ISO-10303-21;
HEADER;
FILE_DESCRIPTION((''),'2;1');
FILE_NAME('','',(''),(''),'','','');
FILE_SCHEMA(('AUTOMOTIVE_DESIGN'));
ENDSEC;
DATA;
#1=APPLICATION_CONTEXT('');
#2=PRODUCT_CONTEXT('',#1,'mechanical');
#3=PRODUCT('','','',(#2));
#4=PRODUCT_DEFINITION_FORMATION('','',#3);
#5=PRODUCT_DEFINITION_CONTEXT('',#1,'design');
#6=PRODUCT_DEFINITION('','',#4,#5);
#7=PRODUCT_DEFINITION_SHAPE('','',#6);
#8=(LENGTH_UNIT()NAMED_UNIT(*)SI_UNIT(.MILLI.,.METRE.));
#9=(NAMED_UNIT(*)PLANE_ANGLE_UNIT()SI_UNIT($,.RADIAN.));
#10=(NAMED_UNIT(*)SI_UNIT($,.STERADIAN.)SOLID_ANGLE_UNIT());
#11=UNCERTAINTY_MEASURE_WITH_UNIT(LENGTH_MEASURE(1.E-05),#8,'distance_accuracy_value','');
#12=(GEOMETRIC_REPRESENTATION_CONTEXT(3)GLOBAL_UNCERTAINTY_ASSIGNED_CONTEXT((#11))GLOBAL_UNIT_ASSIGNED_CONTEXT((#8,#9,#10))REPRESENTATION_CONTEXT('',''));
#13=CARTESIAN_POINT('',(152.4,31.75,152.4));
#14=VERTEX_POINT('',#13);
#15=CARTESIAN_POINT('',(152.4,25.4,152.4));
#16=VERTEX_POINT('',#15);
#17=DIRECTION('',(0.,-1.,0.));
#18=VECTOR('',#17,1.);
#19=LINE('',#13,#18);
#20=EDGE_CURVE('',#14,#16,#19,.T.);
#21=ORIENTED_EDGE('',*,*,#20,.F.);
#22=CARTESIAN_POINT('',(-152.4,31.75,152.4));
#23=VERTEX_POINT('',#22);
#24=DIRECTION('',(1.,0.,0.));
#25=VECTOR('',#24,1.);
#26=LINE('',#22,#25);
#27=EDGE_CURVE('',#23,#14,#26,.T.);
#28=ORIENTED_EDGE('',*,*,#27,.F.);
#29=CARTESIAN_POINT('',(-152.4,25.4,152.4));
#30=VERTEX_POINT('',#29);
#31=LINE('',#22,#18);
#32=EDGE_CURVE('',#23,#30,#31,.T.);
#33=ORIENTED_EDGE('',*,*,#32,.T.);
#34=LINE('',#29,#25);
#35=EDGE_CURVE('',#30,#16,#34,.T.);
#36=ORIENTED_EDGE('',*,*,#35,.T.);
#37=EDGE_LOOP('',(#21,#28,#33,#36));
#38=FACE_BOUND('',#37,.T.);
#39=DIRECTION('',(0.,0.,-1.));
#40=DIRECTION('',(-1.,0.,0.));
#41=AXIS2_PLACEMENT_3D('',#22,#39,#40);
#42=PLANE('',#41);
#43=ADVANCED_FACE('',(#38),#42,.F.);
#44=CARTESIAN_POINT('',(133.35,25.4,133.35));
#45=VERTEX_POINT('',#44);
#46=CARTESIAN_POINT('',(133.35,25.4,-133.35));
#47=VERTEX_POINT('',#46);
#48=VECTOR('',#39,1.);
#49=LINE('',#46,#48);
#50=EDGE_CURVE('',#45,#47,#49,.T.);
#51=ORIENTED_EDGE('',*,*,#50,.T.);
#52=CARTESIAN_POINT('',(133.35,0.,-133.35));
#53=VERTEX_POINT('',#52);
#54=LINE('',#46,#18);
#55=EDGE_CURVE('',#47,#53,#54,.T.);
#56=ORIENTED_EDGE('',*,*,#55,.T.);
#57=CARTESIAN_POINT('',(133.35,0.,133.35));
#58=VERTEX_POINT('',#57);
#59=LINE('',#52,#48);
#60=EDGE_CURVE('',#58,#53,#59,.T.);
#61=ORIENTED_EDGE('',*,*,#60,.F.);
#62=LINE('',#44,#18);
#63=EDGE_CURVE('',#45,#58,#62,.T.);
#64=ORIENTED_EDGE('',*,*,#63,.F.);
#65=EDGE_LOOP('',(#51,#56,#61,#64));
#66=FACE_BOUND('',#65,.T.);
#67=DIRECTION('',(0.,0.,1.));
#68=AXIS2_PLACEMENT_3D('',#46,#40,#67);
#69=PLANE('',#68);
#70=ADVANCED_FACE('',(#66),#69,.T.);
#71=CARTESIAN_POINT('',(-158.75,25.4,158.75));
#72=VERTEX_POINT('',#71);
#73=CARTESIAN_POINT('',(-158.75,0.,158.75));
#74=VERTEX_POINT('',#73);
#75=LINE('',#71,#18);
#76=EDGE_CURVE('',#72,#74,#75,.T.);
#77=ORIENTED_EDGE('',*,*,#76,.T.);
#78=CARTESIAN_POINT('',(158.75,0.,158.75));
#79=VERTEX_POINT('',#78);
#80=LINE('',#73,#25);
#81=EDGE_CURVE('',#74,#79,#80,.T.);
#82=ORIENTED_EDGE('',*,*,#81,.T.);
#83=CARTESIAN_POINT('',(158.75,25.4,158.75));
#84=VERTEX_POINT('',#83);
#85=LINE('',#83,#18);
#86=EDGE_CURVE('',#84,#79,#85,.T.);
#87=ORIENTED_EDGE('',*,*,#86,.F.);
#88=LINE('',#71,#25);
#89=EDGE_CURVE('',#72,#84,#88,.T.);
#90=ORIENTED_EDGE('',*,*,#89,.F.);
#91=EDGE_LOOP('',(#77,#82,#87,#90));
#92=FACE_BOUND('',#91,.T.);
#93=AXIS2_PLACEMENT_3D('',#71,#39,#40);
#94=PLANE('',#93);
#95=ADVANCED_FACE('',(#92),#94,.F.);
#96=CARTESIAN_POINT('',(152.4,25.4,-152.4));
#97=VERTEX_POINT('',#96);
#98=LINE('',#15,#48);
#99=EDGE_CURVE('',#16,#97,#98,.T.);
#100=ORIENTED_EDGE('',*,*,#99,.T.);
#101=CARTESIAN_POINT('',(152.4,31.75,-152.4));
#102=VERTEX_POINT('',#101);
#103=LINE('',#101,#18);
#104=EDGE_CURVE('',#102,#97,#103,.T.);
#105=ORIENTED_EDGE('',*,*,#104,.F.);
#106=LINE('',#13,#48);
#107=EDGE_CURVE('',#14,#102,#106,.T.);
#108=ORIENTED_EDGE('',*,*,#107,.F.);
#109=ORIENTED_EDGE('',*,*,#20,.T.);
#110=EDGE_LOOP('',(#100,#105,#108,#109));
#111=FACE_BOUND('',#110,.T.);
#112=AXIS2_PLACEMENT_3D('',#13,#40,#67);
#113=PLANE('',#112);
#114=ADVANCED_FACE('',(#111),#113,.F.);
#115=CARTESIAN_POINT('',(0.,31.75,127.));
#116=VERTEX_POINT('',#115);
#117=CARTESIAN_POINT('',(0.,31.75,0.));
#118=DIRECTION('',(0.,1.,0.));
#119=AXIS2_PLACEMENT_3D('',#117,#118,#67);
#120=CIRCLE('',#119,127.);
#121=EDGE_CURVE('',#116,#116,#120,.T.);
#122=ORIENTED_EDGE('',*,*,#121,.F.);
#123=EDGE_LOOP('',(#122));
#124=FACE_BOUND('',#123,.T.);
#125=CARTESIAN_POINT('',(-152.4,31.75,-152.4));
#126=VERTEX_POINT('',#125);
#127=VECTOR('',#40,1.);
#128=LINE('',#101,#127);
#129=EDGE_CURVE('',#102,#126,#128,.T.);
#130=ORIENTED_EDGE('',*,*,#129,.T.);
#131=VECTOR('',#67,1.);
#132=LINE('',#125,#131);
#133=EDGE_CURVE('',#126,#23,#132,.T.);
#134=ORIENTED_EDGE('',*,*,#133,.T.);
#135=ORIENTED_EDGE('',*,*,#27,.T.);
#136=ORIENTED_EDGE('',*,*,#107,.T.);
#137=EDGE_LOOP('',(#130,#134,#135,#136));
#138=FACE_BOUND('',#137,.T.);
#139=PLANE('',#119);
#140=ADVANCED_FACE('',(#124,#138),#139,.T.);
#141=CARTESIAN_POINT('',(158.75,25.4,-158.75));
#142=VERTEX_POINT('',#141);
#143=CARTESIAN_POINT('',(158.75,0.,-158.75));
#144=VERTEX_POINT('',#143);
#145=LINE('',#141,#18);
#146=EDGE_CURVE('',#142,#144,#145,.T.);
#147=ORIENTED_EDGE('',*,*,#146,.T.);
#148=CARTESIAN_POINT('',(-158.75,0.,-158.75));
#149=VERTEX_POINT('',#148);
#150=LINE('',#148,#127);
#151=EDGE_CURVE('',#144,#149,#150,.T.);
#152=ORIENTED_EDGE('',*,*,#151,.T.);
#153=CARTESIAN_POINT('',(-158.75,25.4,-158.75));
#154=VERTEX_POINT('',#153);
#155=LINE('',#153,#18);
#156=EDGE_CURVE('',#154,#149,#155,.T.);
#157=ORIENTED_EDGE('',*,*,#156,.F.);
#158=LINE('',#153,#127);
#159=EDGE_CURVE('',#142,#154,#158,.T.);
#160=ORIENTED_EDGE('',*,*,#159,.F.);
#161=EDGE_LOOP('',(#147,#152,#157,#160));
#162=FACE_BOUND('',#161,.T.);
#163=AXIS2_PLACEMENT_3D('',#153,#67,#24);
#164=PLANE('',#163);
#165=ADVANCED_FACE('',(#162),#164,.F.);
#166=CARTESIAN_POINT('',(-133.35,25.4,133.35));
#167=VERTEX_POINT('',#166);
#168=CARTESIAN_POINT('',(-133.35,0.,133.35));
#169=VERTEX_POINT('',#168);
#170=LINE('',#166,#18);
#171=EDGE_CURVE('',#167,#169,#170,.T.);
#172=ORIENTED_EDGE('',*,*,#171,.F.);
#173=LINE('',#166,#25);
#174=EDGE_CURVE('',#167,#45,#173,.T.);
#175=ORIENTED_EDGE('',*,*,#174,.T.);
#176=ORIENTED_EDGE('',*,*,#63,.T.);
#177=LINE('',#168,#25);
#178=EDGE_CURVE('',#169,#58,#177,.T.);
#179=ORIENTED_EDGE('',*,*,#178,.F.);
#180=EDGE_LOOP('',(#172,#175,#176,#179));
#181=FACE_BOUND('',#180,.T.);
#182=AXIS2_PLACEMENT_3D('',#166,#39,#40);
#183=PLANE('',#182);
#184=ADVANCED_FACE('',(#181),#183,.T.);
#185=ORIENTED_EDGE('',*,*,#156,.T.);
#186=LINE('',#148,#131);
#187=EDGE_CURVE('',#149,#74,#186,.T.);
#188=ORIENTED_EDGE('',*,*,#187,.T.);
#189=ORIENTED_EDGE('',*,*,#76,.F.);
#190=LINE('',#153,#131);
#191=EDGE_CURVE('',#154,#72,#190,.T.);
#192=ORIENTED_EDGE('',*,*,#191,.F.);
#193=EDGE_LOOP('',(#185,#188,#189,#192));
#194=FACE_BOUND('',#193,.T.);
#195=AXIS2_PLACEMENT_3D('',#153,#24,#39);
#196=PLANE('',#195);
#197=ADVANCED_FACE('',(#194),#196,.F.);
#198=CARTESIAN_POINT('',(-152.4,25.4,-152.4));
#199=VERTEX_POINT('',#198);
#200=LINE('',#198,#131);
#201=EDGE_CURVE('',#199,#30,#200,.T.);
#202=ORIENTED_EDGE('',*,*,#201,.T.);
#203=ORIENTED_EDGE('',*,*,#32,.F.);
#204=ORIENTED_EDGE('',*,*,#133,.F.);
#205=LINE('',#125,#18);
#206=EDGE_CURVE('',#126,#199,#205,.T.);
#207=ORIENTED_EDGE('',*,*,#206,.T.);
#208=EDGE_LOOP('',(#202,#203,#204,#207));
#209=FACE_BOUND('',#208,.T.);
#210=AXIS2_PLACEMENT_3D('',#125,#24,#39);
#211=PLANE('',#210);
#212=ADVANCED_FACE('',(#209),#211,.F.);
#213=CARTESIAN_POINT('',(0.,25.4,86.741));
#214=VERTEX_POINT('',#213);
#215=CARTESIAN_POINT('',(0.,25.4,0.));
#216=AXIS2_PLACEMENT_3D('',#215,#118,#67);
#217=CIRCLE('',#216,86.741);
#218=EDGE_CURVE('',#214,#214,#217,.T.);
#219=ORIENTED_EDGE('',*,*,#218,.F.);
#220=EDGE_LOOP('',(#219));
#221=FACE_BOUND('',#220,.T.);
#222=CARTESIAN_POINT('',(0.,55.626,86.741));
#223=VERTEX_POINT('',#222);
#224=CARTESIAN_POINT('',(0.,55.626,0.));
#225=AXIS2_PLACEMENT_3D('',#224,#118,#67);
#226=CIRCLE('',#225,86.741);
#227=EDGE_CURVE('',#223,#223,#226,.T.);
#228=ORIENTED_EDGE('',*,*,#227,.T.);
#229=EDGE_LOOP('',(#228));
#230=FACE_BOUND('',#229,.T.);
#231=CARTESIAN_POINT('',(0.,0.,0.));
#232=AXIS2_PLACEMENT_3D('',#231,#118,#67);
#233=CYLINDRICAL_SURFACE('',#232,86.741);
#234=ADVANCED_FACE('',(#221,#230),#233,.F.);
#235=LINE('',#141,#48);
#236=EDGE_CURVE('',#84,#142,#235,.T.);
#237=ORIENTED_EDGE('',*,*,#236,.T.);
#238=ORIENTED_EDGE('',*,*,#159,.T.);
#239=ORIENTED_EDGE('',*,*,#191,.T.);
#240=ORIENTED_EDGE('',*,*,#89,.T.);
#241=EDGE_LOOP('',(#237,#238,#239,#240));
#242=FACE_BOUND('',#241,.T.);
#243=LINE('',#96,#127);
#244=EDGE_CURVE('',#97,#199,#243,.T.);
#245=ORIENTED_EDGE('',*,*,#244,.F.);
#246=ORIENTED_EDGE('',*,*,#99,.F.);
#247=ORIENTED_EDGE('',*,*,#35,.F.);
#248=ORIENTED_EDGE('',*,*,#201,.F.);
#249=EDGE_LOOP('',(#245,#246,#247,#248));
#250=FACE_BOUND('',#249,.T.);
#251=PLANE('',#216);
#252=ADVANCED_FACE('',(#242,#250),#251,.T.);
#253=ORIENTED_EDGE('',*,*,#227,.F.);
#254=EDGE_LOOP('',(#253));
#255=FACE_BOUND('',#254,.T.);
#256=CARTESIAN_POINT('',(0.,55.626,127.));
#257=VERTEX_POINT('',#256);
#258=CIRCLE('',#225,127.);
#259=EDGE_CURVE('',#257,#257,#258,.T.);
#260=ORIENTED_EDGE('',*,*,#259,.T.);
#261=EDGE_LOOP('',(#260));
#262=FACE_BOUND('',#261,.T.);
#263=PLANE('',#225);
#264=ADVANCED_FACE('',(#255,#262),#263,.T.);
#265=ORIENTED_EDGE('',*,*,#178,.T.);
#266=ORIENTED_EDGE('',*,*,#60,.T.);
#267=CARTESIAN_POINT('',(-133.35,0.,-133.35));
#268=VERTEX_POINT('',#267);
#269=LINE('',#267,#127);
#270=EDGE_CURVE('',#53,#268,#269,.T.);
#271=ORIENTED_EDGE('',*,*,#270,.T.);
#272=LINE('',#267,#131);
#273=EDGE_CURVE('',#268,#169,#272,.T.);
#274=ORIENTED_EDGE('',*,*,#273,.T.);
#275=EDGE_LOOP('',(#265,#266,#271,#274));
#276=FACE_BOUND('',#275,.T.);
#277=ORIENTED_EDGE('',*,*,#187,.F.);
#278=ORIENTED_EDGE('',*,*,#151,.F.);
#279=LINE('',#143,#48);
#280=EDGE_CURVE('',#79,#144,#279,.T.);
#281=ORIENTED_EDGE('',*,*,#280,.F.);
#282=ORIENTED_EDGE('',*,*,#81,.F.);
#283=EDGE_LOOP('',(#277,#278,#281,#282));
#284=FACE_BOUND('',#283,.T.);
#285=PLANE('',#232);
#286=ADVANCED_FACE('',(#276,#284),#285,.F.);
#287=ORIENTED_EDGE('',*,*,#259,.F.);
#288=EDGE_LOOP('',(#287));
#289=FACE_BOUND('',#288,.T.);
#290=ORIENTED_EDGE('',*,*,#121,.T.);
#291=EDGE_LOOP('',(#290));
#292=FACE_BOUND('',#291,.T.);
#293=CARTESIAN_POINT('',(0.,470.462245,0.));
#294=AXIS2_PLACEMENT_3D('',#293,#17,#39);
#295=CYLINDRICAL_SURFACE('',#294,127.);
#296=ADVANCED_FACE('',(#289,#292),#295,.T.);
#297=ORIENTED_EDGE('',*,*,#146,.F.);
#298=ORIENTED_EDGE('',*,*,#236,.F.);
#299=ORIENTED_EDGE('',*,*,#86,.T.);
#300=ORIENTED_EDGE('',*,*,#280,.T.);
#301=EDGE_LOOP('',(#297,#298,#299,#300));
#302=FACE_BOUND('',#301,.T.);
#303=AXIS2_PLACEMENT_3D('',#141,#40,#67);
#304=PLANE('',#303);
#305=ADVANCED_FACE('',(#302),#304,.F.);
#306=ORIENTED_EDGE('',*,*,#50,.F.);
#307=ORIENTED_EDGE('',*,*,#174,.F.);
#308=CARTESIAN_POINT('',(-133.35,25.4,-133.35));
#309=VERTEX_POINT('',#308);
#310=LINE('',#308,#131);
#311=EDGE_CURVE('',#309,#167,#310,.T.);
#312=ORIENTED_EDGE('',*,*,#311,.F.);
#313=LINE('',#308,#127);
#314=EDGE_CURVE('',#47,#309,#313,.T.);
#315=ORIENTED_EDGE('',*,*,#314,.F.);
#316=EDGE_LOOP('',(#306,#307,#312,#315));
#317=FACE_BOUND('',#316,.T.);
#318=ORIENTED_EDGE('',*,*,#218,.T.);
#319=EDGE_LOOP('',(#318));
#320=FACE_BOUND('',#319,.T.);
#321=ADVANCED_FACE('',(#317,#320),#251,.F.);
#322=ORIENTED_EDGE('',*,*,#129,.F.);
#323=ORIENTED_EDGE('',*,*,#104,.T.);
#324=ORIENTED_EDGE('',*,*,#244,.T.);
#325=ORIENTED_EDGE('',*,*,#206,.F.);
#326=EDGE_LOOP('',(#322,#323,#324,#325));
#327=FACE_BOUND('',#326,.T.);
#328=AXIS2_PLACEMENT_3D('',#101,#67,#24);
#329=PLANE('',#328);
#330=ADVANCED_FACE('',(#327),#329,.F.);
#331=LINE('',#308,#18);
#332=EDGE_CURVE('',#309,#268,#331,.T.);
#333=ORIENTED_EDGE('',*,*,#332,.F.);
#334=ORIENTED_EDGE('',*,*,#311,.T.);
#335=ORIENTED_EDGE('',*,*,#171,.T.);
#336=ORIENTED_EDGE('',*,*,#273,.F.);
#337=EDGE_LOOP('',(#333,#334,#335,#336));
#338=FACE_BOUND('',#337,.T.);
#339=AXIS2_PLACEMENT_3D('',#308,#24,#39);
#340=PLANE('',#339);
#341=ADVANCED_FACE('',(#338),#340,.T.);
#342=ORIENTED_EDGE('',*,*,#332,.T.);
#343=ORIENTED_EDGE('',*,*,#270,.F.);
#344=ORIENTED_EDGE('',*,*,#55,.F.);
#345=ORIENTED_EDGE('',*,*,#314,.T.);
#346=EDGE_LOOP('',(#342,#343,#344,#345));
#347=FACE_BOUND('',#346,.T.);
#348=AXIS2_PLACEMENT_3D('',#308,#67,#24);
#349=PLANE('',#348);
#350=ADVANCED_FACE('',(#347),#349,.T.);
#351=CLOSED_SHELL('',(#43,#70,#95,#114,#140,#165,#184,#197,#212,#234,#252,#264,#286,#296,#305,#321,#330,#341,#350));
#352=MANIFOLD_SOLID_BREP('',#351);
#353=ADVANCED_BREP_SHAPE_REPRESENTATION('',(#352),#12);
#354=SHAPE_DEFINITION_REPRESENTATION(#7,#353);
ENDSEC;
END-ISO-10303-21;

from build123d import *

# Parameters (mm, degrees)
SKETCH1_W           = 317.5
SKETCH1_H           = 317.5
SKETCH1_W_2         = 266.7
SKETCH1_H_2         = 266.7
BOSS_EXTRUDE1_DEPTH = 25.4
SKETCH2_W           = 304.8
SKETCH2_H           = 304.8
BOSS_EXTRUDE2_DEPTH = 6.35
SKETCH3_R           = 127
BOSS_EXTRUDE3_DEPTH = 23.876
SKETCH4_R           = 86.741
CUT_EXTRUDE1_DEPTH  = 56.626


with BuildPart() as part:
    # Sketch1 → Boss-Extrude1 (new body)
    with BuildSketch(Plane(origin=(0, 0, 0), x_dir=(1, 0, 0), z_dir=(0, 1, 0))):
        Rectangle(SKETCH1_W, SKETCH1_H)
        Rectangle(SKETCH1_W_2, SKETCH1_H_2, mode=Mode.SUBTRACT)
    extrude(amount=BOSS_EXTRUDE1_DEPTH)

    # Sketch2 → Boss-Extrude2 (add)
    with BuildSketch(Plane(origin=(0, 25.4, 0), x_dir=(1, 0, 0), z_dir=(0, 1, 0))):
        Rectangle(SKETCH2_W, SKETCH2_H)
    extrude(amount=BOSS_EXTRUDE2_DEPTH)

    # Sketch3 → Boss-Extrude3 (add)
    with BuildSketch(Plane(origin=(0, 31.75, 0), x_dir=(1, 0, 0), z_dir=(0, 1, 0))):
        Circle(SKETCH3_R)
    extrude(amount=BOSS_EXTRUDE3_DEPTH)

    # Sketch4 → Cut-Extrude1 (cut, through all)
    with BuildSketch(Plane(origin=(0, 55.626, 0), x_dir=(1, 0, 0), z_dir=(0, 1, 0))):
        Circle(SKETCH4_R)
    extrude(amount=-CUT_EXTRUDE1_DEPTH, mode=Mode.SUBTRACT)


solid = part.part
